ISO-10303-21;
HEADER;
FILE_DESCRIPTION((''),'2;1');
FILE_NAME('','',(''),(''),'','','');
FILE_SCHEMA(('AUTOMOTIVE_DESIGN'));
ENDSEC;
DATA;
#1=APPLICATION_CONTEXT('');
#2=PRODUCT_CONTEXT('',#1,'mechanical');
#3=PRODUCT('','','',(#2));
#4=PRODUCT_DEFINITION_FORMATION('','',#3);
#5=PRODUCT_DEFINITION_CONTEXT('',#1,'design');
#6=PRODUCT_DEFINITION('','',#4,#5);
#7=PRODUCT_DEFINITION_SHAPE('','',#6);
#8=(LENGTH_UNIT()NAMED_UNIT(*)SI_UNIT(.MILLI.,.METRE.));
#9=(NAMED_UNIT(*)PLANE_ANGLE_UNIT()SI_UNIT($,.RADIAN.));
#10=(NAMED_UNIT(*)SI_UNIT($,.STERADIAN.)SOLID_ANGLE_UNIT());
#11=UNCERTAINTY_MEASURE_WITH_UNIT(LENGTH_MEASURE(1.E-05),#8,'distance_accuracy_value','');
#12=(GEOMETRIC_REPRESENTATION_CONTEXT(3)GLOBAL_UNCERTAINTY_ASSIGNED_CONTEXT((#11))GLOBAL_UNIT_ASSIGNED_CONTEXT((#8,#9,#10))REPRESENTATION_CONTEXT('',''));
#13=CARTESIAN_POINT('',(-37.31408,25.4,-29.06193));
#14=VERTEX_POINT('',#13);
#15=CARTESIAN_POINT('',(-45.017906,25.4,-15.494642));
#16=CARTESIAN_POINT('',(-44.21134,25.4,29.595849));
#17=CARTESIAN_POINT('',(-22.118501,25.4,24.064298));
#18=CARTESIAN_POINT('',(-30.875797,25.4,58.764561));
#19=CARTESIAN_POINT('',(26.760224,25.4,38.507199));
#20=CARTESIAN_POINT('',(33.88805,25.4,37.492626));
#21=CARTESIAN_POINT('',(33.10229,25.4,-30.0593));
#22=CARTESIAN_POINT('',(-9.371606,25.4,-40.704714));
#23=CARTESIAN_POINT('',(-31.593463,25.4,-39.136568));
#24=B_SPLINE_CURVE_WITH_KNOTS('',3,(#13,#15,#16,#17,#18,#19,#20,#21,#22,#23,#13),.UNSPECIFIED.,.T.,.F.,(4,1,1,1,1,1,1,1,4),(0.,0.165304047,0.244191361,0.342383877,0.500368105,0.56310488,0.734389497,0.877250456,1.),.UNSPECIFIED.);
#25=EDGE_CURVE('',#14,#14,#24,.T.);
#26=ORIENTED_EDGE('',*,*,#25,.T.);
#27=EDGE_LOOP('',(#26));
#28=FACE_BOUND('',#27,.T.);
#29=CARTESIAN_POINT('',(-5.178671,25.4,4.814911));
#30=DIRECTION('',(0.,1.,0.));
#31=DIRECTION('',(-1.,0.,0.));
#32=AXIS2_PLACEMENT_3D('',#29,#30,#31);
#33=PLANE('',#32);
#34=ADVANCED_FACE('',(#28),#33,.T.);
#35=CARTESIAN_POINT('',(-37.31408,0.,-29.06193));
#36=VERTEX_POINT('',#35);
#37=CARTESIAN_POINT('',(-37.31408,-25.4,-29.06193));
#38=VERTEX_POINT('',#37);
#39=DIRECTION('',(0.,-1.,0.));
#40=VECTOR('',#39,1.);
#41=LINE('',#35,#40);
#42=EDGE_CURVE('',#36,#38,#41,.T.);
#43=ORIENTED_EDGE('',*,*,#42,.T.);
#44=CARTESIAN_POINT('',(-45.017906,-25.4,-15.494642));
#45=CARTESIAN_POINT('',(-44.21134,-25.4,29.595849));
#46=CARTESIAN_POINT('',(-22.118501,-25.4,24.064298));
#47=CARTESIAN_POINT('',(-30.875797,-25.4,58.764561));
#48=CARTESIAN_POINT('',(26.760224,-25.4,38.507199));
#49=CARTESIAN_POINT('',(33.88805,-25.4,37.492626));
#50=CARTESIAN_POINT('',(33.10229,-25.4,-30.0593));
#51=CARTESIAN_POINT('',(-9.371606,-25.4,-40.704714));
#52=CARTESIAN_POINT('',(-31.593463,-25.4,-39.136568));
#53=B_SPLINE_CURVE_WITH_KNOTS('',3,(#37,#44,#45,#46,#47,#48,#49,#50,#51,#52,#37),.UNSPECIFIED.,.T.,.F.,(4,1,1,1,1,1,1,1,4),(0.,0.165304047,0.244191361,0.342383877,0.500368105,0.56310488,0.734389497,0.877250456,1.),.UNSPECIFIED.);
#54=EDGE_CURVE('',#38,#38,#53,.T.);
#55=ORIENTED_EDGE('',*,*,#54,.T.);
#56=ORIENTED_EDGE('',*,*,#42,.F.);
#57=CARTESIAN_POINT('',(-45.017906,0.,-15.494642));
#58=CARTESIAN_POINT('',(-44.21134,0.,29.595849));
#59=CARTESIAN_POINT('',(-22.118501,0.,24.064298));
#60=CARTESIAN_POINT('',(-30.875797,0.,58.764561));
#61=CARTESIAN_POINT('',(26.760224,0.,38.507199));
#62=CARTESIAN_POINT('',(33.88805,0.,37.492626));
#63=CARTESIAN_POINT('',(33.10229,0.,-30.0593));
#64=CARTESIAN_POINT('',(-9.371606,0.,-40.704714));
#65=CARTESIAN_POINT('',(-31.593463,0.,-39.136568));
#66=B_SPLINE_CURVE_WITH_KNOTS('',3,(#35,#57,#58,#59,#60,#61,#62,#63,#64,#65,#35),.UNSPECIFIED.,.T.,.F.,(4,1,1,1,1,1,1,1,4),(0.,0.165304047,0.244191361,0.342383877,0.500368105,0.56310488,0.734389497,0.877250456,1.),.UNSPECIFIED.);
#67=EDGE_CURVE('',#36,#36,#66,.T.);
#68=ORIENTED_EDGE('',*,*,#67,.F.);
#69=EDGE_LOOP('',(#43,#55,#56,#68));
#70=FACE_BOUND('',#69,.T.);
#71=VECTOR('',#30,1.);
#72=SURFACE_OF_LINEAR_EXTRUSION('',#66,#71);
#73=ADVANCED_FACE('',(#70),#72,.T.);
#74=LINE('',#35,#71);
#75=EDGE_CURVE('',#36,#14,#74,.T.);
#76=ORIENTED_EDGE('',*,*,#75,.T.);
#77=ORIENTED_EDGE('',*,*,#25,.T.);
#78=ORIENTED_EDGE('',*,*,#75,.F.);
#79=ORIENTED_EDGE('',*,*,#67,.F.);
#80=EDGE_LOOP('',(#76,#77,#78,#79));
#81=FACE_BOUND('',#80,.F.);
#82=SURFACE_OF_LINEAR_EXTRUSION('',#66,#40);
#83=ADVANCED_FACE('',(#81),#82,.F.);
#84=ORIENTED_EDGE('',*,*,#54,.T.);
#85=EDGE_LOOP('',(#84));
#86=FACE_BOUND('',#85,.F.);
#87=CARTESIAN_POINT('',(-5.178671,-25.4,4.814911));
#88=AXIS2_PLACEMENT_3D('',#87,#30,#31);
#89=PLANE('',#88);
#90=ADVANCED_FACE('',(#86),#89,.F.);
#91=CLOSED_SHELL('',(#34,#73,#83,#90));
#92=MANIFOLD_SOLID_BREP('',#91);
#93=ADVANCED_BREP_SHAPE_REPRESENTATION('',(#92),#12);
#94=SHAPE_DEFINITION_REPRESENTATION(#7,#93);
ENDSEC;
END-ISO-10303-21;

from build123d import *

# Parameters (mm, degrees)
F1_DEPTH      = 25.4
F1_DEPTH_BACK = 25.4


with BuildPart() as f1:
    # F0 (on Front) → F1 (new body, two sides)
    with BuildSketch(Plane.XZ) as f1_sk:
        with BuildLine():
            add(Edge.make_bspline(
                [(-37.3140797019, -29.0619302541), (-45.0179056798, -15.4946419445), (-44.211339693, 29.5958489092), (-22.1185010097, 24.0642976392), (-30.8757967687, 58.7645613587), (26.7602244012, 38.507199043), (33.888050381, 37.4926256282), (33.102290239, -30.0593003682), (-9.3716060358, -40.7047142629), (-31.5934628268, -39.1365683205), (-37.3140797019, -29.0619302541)],
                knots=[0, 0, 0, 0, 0.1653040473, 0.2441913606, 0.3423838769, 0.5003681049, 0.5631048797, 0.7343894966, 0.8772504564, 1, 1, 1, 1], degree=3))
        make_face()
    extrude(amount=F1_DEPTH)
    extrude(f1_sk.sketch, amount=-F1_DEPTH_BACK)


solid = f1.part
